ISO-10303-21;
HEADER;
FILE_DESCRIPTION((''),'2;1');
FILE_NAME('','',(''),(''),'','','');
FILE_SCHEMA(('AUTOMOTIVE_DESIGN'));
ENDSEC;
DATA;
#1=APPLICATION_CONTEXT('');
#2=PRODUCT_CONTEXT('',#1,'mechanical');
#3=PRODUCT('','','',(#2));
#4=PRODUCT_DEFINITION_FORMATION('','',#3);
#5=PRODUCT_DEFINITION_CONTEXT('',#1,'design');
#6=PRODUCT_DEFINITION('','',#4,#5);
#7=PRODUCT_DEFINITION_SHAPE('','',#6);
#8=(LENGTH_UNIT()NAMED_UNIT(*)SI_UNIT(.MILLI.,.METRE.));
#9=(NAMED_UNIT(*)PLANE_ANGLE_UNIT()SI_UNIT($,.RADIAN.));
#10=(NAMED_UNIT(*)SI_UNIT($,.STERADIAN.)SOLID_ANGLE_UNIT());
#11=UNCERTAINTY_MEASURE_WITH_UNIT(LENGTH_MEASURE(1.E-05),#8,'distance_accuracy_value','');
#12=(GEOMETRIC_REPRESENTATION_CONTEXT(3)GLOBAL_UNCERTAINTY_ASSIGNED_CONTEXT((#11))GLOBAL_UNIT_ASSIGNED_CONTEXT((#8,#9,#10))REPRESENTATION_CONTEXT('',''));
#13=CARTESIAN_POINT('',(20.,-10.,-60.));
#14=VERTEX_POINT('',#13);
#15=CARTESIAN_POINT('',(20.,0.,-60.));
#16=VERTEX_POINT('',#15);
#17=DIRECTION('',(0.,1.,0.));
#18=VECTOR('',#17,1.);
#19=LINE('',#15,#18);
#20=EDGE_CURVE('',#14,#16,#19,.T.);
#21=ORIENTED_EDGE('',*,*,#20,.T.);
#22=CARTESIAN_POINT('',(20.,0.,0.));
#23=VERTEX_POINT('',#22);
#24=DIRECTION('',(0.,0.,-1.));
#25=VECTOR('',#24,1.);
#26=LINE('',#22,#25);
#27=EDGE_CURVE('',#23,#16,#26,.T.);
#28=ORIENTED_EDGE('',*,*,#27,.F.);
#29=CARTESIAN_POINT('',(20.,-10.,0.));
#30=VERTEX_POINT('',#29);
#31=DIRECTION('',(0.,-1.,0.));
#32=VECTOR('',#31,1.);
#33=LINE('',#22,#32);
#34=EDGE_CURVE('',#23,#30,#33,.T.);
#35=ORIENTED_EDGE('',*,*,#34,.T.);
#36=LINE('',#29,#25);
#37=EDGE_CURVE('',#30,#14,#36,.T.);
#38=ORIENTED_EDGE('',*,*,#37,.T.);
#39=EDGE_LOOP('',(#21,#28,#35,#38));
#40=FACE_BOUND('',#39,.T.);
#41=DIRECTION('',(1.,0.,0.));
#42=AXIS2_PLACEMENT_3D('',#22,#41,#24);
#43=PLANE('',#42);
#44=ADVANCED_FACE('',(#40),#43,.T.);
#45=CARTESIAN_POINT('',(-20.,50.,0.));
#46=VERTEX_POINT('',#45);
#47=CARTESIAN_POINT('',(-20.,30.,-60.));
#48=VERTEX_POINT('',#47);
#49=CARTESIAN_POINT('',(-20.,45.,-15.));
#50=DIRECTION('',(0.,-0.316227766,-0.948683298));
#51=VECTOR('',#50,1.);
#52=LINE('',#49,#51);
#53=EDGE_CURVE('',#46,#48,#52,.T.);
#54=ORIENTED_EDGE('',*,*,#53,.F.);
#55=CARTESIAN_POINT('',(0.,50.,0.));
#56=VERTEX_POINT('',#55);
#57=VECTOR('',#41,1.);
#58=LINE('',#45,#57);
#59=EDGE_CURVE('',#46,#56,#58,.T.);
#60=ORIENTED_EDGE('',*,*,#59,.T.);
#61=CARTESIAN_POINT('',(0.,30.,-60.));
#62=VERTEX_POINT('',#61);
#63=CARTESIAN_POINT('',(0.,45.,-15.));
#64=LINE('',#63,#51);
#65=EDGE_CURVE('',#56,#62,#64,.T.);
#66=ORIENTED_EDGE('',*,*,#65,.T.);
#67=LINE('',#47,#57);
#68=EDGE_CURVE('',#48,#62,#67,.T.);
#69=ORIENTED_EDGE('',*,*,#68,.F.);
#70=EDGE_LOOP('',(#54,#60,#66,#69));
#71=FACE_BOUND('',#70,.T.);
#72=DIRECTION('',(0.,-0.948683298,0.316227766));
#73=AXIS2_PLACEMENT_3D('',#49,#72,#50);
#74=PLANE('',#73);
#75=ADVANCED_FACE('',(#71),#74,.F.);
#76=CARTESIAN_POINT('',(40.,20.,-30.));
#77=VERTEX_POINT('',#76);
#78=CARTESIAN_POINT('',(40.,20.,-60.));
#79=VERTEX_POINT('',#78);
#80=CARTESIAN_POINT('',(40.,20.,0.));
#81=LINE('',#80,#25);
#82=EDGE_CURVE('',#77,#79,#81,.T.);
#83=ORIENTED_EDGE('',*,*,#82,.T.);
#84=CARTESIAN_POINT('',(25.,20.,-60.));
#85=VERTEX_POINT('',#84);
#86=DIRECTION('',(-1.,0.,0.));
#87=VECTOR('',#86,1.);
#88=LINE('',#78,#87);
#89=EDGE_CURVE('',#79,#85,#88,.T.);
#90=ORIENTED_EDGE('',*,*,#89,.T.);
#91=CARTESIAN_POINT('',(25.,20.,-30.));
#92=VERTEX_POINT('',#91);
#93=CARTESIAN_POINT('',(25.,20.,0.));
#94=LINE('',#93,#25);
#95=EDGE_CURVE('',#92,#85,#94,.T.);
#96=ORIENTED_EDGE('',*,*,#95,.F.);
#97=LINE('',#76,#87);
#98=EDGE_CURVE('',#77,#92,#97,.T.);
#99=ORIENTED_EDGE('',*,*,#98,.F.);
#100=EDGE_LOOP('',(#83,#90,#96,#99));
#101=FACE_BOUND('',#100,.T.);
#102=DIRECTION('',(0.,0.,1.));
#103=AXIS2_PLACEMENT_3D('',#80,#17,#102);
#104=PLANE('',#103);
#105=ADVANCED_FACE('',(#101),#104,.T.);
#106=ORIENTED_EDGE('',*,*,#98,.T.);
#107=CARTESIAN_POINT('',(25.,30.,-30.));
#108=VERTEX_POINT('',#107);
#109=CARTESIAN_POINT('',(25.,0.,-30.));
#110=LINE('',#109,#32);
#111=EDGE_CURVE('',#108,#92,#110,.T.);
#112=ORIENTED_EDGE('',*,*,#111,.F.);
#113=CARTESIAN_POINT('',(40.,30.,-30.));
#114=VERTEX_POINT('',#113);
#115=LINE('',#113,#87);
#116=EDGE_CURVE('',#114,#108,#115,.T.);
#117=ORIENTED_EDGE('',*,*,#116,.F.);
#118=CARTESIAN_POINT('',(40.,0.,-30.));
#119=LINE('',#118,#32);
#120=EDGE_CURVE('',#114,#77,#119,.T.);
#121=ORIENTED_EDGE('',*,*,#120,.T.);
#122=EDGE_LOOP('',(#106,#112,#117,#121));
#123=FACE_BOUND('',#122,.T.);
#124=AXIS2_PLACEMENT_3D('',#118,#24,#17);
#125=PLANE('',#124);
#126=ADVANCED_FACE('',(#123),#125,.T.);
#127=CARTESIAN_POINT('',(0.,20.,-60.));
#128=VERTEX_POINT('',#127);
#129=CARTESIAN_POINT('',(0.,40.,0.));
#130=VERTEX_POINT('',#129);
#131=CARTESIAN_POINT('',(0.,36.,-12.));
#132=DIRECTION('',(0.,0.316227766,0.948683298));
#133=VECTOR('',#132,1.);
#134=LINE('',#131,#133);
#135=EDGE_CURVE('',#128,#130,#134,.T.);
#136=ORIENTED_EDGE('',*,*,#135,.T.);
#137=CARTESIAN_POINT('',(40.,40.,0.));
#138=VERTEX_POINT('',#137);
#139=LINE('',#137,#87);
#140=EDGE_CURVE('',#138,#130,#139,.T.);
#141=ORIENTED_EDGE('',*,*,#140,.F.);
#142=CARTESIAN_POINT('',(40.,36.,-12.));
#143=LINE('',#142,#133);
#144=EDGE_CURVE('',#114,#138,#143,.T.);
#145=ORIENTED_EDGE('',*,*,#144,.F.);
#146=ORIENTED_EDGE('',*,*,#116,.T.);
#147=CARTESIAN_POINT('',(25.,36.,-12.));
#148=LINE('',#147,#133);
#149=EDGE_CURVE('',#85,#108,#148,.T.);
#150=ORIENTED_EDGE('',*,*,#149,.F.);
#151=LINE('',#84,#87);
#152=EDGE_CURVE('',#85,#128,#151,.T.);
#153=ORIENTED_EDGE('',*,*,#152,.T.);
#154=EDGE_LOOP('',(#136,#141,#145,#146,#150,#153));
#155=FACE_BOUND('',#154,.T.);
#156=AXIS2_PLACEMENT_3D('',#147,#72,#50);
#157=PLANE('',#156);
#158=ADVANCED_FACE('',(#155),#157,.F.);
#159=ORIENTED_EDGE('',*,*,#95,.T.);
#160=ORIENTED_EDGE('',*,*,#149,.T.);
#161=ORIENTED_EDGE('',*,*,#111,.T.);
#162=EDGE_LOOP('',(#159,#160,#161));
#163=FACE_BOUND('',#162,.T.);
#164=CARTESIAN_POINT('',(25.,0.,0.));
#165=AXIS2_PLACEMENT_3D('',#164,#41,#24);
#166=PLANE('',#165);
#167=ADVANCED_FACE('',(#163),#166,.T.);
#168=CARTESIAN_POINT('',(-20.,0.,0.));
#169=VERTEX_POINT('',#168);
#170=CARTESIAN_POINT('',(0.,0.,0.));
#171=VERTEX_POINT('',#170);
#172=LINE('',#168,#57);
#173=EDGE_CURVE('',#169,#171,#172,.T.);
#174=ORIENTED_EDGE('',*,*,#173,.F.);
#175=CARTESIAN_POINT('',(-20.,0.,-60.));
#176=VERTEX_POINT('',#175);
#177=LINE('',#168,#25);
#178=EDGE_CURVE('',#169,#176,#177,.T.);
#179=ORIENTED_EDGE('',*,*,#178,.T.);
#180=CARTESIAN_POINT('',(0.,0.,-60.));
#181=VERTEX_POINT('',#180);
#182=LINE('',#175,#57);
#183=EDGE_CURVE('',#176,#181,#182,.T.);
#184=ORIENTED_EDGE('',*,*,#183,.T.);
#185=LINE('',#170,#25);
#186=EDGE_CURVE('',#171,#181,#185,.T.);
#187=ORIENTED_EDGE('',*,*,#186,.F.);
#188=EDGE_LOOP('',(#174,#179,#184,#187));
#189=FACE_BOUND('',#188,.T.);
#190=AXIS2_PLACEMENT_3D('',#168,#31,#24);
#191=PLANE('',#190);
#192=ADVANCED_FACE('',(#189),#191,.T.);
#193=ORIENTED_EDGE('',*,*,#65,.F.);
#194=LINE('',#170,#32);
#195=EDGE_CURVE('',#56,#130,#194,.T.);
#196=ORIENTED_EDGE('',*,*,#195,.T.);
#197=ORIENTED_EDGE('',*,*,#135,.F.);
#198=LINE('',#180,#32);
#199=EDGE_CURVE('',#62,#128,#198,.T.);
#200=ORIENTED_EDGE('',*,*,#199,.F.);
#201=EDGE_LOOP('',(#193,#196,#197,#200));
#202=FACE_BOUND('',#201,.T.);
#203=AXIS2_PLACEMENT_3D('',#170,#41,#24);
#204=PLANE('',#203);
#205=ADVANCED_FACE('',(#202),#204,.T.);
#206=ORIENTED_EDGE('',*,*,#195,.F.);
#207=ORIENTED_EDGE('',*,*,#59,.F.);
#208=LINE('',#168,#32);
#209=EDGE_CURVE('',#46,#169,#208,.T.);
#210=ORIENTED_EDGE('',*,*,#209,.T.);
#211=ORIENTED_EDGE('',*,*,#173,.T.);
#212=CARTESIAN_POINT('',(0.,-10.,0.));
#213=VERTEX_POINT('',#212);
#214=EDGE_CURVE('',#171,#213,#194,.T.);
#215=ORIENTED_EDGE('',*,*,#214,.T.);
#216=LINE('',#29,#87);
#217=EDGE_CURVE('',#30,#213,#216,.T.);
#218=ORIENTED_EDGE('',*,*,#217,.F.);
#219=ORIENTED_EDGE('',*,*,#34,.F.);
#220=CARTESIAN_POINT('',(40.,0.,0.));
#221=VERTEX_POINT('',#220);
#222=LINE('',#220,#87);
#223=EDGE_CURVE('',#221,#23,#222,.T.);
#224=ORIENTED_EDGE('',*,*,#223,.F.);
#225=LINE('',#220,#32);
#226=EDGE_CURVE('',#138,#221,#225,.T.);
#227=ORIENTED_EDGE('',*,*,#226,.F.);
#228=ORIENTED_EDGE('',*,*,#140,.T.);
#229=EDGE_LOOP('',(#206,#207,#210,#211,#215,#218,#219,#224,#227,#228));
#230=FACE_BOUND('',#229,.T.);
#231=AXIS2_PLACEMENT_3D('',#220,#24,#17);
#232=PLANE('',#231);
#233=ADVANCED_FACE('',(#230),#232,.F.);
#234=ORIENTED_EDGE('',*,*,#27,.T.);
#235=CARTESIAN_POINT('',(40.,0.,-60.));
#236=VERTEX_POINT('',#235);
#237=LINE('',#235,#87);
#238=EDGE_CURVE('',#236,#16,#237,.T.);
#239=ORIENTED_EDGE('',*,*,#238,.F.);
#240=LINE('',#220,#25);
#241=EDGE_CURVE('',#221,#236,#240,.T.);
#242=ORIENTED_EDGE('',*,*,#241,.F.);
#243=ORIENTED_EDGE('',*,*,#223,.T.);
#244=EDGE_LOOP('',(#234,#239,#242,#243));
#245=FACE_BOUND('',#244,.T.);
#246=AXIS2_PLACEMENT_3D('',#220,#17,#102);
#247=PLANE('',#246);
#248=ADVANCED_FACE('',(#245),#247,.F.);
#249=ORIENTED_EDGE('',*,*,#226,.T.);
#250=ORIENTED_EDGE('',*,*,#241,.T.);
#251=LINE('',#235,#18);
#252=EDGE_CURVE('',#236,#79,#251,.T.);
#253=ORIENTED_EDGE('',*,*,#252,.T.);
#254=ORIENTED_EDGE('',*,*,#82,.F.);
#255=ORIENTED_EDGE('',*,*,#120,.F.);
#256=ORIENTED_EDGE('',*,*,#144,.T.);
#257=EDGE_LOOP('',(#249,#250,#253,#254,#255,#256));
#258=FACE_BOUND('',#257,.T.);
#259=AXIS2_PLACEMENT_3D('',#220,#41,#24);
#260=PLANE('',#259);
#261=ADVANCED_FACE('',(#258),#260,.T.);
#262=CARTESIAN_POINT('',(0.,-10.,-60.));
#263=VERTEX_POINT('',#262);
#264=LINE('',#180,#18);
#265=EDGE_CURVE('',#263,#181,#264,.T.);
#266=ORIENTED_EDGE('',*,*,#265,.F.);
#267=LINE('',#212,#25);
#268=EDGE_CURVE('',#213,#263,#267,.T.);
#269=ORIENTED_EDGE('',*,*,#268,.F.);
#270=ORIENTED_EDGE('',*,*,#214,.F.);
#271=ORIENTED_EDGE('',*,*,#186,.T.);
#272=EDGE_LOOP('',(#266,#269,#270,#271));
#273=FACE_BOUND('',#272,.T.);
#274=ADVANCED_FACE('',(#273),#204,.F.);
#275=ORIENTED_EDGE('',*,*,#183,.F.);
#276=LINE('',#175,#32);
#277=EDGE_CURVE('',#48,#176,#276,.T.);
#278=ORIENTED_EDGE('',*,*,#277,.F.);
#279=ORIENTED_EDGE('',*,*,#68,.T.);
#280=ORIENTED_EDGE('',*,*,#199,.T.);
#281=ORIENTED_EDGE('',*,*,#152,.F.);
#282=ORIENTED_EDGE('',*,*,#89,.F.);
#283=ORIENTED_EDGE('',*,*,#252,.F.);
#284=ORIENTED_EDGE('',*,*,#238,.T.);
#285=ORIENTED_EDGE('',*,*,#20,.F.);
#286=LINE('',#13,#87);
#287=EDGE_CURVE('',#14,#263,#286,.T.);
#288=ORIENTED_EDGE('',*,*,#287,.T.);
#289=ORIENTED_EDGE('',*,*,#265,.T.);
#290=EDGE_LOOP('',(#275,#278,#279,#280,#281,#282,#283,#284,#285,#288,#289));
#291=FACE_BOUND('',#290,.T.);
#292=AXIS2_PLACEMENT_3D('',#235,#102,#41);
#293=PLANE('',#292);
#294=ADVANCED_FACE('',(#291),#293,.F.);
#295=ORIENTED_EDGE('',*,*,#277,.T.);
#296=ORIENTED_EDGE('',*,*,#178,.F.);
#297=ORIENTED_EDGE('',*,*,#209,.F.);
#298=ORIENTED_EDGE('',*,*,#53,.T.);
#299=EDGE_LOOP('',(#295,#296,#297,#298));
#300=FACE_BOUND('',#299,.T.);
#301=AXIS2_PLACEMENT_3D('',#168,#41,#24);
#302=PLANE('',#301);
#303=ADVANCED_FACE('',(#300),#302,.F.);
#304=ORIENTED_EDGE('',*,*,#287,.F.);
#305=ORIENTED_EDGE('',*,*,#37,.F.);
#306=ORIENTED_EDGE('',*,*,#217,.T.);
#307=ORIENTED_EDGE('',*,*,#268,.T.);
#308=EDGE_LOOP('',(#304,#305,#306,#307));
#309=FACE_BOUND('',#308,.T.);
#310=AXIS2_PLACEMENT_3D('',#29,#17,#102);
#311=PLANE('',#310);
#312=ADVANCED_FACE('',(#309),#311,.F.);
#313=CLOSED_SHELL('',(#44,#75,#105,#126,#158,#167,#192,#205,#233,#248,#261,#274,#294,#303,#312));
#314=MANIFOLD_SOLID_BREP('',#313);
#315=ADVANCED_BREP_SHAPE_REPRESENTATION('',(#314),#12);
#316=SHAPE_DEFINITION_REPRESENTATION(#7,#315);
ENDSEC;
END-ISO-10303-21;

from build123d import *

# Parameters (mm, degrees)
BOSS_EXTRUDE7_DEPTH  = 25
SKETCH1_12_W         = 60
SKETCH1_12_H         = 10
BOSS_EXTRUDE8_DEPTH  = 20
BOSS_EXTRUDE9_DEPTH  = 40
BOSS_EXTRUDE10_DEPTH = 20


with BuildPart() as part:
    # Sketch1 → Boss-Extrude7 (new body)
    with BuildSketch(Plane(origin=(0, 0, 0), x_dir=(0, 0, -1), z_dir=(1, 0, 0))):
        Polygon((60, 20), (30, 30), (30, 20), align=None)
    extrude(amount=BOSS_EXTRUDE7_DEPTH)



with BuildPart() as body_2:
    # Sketch1<12> → Boss-Extrude8 (new body)
    with BuildSketch(Plane(origin=(0, 0, 0), x_dir=(0, 0, -1), z_dir=(1, 0, 0))):
        with Locations((30, -5)):
            Rectangle(SKETCH1_12_W, SKETCH1_12_H)
    extrude(amount=BOSS_EXTRUDE8_DEPTH)


with BuildPart() as part_1:
    add(part.part)

    add(body_2.part)  # Boss-Extrude9 merges body 2
    # Sketch1<13> → Boss-Extrude9 (add)
    with BuildSketch(Plane(origin=(0, 0, 0), x_dir=(0, 0, -1), z_dir=(1, 0, 0))):
        Polygon((30, 30), (0, 40), (0, 0), (60, 0), (60, 20), (30, 20), align=None)
    extrude(amount=BOSS_EXTRUDE9_DEPTH)

    # Sketch1<14> → Boss-Extrude10 (add)
    with BuildSketch(Plane(origin=(0, 0, 0), x_dir=(0, 0, -1), z_dir=(1, 0, 0))):
        Polygon((60, 0), (60, 30), (0, 50), (0, 0), align=None)
    extrude(amount=-BOSS_EXTRUDE10_DEPTH)


solid = part_1.part
